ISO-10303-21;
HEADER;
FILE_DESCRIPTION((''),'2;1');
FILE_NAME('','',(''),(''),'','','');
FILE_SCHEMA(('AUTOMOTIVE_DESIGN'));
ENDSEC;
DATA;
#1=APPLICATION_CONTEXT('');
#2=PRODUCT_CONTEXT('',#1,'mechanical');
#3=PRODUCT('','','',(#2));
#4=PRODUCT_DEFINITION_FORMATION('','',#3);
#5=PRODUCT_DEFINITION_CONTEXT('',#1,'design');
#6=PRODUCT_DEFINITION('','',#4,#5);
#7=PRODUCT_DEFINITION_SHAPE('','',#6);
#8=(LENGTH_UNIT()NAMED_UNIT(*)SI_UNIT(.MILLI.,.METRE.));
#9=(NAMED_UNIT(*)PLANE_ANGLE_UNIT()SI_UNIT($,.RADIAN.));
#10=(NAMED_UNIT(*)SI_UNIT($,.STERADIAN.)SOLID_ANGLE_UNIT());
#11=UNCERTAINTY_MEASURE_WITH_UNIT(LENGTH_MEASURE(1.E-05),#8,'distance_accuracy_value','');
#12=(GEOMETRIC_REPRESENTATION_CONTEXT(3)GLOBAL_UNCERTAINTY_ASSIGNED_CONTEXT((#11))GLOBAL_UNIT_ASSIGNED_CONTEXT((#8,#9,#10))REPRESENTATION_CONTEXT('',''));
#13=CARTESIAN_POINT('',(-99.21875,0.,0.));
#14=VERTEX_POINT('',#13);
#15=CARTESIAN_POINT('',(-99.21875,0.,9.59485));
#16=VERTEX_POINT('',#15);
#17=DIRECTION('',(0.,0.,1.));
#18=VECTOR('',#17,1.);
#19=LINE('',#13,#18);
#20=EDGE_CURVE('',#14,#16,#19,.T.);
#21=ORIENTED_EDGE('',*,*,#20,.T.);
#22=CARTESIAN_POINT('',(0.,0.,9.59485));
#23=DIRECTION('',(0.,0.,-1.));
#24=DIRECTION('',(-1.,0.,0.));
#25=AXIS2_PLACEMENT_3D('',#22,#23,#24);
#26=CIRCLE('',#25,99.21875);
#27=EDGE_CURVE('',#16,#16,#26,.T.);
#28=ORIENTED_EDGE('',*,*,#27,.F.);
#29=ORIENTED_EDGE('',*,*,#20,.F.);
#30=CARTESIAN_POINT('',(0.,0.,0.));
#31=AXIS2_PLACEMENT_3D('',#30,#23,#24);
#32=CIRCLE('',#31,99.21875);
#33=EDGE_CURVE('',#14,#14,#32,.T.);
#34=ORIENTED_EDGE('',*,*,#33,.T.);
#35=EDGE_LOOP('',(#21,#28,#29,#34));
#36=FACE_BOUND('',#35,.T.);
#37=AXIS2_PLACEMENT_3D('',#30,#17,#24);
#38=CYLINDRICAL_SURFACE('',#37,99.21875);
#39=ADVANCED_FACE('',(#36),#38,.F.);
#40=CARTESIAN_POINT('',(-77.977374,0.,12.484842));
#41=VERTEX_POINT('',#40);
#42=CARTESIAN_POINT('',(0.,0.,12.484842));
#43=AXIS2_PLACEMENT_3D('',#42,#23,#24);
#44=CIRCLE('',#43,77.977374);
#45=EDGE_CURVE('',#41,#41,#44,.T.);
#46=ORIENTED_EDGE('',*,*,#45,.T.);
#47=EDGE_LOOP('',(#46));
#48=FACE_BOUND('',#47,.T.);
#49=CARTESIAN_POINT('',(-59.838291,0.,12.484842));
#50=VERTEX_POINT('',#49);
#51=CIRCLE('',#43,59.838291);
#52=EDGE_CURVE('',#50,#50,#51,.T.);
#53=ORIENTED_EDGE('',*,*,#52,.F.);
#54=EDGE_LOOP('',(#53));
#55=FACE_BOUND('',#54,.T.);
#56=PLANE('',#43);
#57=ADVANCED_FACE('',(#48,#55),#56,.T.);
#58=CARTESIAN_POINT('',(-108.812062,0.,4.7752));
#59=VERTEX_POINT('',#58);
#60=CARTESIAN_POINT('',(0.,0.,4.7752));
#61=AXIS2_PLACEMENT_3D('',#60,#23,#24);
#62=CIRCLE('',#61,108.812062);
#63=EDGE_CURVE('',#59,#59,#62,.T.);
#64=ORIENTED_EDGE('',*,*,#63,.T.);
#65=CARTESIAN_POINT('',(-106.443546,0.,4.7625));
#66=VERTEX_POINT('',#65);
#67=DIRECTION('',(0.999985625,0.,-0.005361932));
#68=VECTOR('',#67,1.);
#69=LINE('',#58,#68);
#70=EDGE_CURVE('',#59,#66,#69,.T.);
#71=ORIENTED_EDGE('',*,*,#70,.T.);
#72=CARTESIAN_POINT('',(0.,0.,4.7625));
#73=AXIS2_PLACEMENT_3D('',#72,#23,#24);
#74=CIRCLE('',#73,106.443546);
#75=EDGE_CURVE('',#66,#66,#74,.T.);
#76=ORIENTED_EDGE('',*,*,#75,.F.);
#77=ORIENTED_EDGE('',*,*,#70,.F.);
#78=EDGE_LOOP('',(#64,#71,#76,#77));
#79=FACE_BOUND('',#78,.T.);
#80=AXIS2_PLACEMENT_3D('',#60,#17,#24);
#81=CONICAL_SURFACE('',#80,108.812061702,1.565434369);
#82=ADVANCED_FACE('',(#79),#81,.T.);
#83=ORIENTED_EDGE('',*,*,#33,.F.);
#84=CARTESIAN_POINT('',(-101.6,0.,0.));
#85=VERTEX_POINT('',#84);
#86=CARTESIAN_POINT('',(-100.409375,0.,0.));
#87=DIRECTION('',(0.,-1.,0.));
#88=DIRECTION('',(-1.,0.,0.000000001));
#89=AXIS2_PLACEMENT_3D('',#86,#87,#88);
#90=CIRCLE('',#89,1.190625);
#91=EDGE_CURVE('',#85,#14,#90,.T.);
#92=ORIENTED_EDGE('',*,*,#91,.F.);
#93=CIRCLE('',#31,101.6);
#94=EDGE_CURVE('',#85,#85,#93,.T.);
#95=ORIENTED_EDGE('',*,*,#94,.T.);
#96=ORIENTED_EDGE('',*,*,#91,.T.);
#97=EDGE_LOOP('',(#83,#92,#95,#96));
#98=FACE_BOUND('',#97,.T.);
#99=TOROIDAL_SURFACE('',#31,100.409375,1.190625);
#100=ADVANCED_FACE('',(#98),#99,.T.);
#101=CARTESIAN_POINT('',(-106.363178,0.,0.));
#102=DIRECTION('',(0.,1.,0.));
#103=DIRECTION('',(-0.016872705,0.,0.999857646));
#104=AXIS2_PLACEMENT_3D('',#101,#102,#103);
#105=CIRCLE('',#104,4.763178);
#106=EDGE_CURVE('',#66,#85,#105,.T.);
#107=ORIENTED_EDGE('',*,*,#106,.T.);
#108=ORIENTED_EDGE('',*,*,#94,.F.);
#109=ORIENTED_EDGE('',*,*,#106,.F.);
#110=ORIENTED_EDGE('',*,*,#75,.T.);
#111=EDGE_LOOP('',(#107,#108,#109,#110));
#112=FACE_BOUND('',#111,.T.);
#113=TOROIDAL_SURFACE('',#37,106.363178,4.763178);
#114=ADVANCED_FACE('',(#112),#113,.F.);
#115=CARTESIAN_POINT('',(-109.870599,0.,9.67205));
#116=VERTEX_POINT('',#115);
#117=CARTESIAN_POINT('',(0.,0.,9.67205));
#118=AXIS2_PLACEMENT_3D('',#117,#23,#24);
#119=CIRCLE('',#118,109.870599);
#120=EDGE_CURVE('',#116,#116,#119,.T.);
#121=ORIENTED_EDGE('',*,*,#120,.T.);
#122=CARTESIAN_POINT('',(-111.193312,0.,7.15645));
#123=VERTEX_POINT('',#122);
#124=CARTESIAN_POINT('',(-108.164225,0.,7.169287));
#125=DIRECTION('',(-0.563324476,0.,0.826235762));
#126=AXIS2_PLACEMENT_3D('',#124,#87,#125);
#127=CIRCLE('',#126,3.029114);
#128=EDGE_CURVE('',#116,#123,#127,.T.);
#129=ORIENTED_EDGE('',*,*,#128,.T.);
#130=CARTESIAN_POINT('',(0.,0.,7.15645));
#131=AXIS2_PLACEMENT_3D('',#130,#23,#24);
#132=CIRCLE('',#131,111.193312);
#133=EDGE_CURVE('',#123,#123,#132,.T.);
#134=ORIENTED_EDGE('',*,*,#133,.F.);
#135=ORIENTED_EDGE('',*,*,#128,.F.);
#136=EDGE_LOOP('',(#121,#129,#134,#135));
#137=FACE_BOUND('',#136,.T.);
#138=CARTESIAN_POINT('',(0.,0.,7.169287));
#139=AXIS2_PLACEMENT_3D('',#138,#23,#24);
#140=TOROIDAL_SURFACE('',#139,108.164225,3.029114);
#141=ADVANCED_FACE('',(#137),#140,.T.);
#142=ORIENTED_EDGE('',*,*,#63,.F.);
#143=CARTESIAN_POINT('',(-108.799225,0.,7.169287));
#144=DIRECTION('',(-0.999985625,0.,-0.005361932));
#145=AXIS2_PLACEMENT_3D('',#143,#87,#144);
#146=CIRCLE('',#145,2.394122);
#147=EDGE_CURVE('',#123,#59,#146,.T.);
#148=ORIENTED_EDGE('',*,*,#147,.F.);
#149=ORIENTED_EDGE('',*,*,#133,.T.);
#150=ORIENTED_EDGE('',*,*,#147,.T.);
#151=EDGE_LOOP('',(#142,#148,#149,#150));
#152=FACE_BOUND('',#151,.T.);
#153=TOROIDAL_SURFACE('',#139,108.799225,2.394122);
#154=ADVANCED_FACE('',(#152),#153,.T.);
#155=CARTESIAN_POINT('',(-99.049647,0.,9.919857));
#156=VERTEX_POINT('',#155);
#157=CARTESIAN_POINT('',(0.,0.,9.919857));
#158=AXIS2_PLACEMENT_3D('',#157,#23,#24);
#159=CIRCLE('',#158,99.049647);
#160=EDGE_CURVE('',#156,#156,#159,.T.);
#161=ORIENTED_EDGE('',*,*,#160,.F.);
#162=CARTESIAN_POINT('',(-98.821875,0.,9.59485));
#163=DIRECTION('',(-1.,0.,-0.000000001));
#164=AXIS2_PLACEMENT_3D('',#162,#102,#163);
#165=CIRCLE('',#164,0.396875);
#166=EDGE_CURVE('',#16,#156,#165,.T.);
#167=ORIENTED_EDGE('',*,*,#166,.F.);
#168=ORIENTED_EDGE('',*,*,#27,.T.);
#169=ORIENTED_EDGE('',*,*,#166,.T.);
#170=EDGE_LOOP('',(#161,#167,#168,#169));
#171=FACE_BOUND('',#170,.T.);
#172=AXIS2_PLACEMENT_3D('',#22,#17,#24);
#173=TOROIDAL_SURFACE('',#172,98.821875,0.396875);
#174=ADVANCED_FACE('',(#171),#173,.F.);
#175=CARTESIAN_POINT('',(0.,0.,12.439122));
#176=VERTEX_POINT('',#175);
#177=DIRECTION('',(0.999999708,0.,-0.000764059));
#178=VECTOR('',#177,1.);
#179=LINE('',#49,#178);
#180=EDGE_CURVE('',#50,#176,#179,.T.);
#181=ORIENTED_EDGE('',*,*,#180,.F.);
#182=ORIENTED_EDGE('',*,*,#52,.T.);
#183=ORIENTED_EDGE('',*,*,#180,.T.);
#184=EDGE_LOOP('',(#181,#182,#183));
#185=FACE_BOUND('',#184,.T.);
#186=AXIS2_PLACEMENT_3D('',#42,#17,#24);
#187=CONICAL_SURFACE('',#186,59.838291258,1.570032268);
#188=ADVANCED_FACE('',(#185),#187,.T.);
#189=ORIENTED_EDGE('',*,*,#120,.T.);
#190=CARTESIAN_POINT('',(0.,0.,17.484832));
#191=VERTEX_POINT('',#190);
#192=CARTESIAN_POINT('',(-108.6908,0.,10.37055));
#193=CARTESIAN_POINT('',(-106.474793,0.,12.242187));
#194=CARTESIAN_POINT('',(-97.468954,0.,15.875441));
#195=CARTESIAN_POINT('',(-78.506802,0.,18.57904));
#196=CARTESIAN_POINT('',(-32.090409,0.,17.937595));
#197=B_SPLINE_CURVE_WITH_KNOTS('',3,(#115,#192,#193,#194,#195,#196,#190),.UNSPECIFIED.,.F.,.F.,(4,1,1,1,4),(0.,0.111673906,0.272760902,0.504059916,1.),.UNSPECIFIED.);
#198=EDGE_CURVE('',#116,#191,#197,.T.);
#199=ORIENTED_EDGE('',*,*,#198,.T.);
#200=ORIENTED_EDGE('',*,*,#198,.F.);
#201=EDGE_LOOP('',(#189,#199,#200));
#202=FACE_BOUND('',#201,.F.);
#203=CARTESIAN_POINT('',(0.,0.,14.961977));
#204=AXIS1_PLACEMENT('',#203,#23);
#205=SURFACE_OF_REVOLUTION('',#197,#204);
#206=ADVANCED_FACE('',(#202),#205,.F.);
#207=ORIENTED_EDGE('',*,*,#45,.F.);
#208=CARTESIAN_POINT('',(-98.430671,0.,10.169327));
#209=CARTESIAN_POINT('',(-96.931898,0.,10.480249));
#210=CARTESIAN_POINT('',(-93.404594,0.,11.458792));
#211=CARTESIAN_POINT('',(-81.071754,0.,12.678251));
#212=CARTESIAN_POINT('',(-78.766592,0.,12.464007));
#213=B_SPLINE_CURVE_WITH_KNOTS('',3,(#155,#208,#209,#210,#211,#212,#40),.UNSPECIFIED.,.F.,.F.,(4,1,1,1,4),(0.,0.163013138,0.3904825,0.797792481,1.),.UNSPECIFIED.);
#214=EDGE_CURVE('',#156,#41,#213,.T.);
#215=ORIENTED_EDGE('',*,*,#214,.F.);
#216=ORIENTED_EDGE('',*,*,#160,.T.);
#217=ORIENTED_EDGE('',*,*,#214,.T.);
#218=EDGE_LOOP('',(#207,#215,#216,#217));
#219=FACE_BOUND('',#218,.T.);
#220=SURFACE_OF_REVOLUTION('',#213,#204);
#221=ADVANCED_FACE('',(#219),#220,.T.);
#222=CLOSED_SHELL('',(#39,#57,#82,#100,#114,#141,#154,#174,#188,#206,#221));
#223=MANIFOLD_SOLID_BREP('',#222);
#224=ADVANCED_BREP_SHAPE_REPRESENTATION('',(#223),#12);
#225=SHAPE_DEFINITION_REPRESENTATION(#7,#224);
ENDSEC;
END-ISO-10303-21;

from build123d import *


with BuildPart() as f1:
    # F0 (on Front) → F1 (revolve)
    with BuildSketch(Plane.XZ):
        with BuildLine():
            ThreePointArc((-106.4435457509, 4.7624999991), (-103.0236377009, 3.3963709202), (-101.6, 0))
            ThreePointArc((-101.6, 0), (-100.409375, -1.1906250009), (-99.21875, 0))
            Line((-99.21875, 0), (-99.21875, 9.5948500034))
            ThreePointArc((-99.21875, 9.5948500034), (-99.1739450855, 9.77803412), (-99.0496467783, 9.9198573612))
            add(Edge.make_bspline(
                [(-99.0496467783, 9.9198573612), (-98.4306707978, 10.1693272591), (-96.9318978129, 10.4802488583), (-93.4045938716, 11.4587916048), (-81.0717543692, 12.678250613), (-78.7665918469, 12.4640073627), (-77.9773741961, 12.4848420579)],
                knots=[0, 0, 0, 0, 0.1630131382, 0.3904825, 0.7977924813, 1, 1, 1, 1], degree=3))
            Line((-77.9773741961, 12.4848420579), (-59.8382912576, 12.4848420579))
            Line((-59.8382912576, 12.4848420579), (0, 12.4391220579))
            Line((0, 12.4391220579), (0, 17.4848320579))
            add(Edge.make_bspline(
                [(-109.8705988212, 9.6720496985), (-108.6907999973, 10.3705496985), (-106.4747931139, 12.2421871479), (-97.4689543827, 15.8754413037), (-78.5068024724, 18.5790395137), (-32.0904092123, 17.9375946442), (0, 17.4848320579)],
                knots=[0, 0, 0, 0, 0.1116739059, 0.272760902, 0.5040599161, 1, 1, 1, 1], degree=3))
            ThreePointArc((-109.8705988212, 9.6720496985), (-110.8453081373, 8.5790121085), (-111.1933117024, 7.1564500034))
            ThreePointArc((-111.1933117024, 7.1564500034), (-110.4921241564, 5.4763875494), (-108.8120617024, 4.7752000034))
            Line((-108.8120617024, 4.7752000034), (-106.4435457509, 4.7624999991))
        make_face()
    revolve(axis=Axis((0, 0, 14.9619770579), (0, 0, -1)))


solid = f1.part
